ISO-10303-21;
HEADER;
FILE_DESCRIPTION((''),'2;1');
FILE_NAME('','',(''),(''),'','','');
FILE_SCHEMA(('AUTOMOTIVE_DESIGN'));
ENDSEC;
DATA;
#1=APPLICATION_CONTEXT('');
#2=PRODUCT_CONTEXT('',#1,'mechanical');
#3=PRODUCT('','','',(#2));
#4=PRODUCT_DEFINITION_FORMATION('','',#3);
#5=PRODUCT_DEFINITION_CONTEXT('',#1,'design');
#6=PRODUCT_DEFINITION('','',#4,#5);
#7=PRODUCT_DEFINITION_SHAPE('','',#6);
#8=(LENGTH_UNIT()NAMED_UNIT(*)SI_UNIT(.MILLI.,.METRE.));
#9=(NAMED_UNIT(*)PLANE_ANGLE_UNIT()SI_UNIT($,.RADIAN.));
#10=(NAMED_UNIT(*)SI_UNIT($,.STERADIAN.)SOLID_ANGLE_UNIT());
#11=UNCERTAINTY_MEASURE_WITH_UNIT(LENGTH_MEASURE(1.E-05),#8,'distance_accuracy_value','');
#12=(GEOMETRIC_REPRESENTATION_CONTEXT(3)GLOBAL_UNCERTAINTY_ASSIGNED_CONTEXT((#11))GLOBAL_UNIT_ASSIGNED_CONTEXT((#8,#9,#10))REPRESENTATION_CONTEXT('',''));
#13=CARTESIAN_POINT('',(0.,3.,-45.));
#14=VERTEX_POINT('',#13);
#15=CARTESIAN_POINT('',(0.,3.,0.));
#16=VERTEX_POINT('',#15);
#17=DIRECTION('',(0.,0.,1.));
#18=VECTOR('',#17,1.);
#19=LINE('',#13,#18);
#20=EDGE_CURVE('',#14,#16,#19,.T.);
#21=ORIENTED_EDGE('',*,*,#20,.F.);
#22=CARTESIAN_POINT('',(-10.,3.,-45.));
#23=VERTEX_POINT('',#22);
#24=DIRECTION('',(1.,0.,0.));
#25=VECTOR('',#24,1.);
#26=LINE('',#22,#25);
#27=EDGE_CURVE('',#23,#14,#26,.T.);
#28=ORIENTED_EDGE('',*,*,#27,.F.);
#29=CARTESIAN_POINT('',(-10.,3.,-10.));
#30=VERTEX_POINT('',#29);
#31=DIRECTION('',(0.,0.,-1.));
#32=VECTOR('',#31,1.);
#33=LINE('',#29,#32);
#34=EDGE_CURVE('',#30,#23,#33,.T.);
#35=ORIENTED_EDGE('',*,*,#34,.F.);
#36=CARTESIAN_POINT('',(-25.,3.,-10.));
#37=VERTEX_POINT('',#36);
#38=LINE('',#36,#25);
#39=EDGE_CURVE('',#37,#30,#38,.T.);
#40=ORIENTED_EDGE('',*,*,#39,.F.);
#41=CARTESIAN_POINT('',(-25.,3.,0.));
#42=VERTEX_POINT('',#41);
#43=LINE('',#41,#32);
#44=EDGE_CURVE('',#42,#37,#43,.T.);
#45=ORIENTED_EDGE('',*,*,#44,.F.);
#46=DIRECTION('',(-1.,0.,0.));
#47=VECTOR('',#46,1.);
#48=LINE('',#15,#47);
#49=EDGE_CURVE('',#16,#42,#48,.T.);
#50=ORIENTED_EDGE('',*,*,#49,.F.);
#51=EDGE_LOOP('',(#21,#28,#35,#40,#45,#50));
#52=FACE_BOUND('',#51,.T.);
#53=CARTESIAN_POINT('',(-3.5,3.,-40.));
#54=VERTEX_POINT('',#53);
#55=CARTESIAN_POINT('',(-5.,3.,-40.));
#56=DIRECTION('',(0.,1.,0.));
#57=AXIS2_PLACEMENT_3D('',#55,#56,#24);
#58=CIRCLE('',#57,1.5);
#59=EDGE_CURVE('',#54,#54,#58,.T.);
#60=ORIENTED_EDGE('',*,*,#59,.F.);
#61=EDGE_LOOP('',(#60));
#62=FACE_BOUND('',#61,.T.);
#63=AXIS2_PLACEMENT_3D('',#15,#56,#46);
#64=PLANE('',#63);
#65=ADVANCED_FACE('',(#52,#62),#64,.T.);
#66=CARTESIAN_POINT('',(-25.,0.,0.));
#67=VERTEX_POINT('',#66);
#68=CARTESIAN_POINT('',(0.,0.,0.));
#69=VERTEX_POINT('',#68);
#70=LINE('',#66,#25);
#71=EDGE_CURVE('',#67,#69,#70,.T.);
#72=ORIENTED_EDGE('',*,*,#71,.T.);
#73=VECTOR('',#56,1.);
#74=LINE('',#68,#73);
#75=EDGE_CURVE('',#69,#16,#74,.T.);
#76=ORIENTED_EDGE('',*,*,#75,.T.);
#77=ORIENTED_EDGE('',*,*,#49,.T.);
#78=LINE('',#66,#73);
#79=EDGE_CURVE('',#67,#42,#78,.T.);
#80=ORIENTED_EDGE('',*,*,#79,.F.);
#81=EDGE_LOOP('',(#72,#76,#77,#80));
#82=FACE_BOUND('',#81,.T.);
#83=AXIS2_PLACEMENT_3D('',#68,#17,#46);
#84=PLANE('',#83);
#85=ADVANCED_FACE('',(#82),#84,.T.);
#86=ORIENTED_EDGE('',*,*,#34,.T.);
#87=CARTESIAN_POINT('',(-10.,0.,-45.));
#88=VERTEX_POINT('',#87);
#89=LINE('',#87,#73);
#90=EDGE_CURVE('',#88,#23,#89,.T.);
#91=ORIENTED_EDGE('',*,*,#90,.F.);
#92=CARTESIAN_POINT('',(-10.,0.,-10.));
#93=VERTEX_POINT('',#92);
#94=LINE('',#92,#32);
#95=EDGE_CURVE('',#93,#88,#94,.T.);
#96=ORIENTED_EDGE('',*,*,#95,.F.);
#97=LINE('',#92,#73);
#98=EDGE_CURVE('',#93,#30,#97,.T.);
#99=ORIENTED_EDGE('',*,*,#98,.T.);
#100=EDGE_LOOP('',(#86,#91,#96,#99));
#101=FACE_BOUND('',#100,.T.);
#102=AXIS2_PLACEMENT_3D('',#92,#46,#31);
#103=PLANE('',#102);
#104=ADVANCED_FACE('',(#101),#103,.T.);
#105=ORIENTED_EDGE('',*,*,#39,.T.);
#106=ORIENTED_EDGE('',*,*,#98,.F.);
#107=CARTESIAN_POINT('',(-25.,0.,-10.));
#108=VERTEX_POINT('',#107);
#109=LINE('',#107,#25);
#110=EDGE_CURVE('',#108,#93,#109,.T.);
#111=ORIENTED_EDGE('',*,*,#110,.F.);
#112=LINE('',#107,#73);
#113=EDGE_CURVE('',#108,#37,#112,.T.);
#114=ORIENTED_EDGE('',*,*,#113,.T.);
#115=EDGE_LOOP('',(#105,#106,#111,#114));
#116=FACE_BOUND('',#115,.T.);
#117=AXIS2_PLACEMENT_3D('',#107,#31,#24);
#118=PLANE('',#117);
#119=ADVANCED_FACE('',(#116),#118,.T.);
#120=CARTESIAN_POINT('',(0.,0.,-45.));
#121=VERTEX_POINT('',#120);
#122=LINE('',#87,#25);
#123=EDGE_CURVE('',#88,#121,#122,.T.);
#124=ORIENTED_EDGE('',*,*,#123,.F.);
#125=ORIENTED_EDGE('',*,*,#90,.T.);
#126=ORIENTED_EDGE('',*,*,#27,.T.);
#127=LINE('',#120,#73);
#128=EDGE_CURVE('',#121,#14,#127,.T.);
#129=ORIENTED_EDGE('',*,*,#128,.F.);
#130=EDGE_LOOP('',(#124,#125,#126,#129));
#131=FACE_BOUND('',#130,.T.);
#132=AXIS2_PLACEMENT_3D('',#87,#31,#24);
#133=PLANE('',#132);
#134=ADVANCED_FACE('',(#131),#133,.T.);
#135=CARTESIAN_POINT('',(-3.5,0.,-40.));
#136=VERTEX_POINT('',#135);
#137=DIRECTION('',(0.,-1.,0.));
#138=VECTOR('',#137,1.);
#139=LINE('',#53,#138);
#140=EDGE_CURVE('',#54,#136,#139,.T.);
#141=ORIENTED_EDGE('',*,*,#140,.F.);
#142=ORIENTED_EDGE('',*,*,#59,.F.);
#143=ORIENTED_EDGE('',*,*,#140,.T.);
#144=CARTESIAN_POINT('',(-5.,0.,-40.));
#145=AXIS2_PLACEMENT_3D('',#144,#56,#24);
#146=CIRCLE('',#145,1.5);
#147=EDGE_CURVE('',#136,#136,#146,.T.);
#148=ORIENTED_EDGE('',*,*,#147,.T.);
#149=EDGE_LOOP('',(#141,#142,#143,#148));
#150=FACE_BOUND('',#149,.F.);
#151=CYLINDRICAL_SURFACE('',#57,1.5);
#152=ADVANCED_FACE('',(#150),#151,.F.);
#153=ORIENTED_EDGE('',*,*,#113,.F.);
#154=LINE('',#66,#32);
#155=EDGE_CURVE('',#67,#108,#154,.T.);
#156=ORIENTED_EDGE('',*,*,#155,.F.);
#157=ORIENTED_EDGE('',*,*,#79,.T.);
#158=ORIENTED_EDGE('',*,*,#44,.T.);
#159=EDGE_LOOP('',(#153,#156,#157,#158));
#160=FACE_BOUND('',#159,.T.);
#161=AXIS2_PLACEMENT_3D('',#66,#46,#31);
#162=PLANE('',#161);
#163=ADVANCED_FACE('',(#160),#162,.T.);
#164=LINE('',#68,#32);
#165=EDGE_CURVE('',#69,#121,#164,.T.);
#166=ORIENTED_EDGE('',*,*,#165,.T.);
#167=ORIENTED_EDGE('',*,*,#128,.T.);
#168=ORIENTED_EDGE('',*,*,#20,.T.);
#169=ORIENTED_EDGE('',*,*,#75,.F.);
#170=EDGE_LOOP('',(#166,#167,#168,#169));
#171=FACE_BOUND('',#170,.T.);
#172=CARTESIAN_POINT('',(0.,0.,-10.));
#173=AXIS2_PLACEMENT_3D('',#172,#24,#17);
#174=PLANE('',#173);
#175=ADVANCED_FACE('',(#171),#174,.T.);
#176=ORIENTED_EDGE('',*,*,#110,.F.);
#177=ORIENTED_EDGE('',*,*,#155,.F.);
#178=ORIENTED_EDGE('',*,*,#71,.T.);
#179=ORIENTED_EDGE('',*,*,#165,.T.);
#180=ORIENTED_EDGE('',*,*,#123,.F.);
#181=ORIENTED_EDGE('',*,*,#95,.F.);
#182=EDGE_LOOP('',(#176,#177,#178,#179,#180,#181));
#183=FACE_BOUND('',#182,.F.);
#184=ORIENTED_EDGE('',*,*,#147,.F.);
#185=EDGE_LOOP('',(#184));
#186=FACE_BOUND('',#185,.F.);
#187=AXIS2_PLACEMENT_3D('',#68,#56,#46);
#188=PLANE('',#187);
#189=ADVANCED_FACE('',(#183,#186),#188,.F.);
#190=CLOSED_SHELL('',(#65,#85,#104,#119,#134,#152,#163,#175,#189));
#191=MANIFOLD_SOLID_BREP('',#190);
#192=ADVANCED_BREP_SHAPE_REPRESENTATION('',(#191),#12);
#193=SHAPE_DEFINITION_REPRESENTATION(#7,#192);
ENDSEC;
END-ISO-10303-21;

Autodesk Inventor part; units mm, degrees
ref_plane "YZ Plane" through (0, 0, 0) normal (1, 0, 0) x (0, 1, 0)
ref_plane "XZ Plane" through (0, 0, 0) normal (0, 1, 0) x (-1, 0, 0)
ref_plane "XY Plane" through (0, 0, 0) normal (0, 0, 1) x (1, 0, 0)
sketch "Sketch1" plane through (0, 0, 0) normal (0, 1, 0) x (-1, 0, 0)
  line L0 (0, 0) -> (10, 0)
  line L1 (10, -10) -> (10, -45)
  line L2 (10, -45) -> (0, -45)
  line L3 (0, -45) -> (0, 0)
  line L4 (0, 0) -> (25, 0)
  line L5 (25, 0) -> (25, -10)
  line L6 (25, -10) -> (10, -10)
  line L7 (0, -10) -> (0, 0)
  dimension "d0" = 10
  dimension "d1" = 45
  dimension "d3" = 10
  dimension "d6" = 25
extrude "Extrusion1" add sketch "Sketch1" along normal blind 3
sketch "Sketch2" plane through (0, 3, 0) normal (0, 1, 0) x (1, 0, 0)
  line L0 (0, 45) -> (-10, 45) construction
  line L1 (-10, 45) -> (0, 35) construction
  line L2 (0, 0) -> (0, 45) construction
  line L3 (0, 45) -> (-10, 35) construction
  line L4 (-10, 45) -> (-10, 10) construction
  circle A0 centre (-5, 40) radius 1.5
  dimension "d7" = 135
  dimension "d8" = 45
  dimension "d9" = 3
extrude "Extrusion2" cut sketch "Sketch2" against normal blind 10
properties part number "makerbeam_L-bracket" material "Acetal Resin, Black"
